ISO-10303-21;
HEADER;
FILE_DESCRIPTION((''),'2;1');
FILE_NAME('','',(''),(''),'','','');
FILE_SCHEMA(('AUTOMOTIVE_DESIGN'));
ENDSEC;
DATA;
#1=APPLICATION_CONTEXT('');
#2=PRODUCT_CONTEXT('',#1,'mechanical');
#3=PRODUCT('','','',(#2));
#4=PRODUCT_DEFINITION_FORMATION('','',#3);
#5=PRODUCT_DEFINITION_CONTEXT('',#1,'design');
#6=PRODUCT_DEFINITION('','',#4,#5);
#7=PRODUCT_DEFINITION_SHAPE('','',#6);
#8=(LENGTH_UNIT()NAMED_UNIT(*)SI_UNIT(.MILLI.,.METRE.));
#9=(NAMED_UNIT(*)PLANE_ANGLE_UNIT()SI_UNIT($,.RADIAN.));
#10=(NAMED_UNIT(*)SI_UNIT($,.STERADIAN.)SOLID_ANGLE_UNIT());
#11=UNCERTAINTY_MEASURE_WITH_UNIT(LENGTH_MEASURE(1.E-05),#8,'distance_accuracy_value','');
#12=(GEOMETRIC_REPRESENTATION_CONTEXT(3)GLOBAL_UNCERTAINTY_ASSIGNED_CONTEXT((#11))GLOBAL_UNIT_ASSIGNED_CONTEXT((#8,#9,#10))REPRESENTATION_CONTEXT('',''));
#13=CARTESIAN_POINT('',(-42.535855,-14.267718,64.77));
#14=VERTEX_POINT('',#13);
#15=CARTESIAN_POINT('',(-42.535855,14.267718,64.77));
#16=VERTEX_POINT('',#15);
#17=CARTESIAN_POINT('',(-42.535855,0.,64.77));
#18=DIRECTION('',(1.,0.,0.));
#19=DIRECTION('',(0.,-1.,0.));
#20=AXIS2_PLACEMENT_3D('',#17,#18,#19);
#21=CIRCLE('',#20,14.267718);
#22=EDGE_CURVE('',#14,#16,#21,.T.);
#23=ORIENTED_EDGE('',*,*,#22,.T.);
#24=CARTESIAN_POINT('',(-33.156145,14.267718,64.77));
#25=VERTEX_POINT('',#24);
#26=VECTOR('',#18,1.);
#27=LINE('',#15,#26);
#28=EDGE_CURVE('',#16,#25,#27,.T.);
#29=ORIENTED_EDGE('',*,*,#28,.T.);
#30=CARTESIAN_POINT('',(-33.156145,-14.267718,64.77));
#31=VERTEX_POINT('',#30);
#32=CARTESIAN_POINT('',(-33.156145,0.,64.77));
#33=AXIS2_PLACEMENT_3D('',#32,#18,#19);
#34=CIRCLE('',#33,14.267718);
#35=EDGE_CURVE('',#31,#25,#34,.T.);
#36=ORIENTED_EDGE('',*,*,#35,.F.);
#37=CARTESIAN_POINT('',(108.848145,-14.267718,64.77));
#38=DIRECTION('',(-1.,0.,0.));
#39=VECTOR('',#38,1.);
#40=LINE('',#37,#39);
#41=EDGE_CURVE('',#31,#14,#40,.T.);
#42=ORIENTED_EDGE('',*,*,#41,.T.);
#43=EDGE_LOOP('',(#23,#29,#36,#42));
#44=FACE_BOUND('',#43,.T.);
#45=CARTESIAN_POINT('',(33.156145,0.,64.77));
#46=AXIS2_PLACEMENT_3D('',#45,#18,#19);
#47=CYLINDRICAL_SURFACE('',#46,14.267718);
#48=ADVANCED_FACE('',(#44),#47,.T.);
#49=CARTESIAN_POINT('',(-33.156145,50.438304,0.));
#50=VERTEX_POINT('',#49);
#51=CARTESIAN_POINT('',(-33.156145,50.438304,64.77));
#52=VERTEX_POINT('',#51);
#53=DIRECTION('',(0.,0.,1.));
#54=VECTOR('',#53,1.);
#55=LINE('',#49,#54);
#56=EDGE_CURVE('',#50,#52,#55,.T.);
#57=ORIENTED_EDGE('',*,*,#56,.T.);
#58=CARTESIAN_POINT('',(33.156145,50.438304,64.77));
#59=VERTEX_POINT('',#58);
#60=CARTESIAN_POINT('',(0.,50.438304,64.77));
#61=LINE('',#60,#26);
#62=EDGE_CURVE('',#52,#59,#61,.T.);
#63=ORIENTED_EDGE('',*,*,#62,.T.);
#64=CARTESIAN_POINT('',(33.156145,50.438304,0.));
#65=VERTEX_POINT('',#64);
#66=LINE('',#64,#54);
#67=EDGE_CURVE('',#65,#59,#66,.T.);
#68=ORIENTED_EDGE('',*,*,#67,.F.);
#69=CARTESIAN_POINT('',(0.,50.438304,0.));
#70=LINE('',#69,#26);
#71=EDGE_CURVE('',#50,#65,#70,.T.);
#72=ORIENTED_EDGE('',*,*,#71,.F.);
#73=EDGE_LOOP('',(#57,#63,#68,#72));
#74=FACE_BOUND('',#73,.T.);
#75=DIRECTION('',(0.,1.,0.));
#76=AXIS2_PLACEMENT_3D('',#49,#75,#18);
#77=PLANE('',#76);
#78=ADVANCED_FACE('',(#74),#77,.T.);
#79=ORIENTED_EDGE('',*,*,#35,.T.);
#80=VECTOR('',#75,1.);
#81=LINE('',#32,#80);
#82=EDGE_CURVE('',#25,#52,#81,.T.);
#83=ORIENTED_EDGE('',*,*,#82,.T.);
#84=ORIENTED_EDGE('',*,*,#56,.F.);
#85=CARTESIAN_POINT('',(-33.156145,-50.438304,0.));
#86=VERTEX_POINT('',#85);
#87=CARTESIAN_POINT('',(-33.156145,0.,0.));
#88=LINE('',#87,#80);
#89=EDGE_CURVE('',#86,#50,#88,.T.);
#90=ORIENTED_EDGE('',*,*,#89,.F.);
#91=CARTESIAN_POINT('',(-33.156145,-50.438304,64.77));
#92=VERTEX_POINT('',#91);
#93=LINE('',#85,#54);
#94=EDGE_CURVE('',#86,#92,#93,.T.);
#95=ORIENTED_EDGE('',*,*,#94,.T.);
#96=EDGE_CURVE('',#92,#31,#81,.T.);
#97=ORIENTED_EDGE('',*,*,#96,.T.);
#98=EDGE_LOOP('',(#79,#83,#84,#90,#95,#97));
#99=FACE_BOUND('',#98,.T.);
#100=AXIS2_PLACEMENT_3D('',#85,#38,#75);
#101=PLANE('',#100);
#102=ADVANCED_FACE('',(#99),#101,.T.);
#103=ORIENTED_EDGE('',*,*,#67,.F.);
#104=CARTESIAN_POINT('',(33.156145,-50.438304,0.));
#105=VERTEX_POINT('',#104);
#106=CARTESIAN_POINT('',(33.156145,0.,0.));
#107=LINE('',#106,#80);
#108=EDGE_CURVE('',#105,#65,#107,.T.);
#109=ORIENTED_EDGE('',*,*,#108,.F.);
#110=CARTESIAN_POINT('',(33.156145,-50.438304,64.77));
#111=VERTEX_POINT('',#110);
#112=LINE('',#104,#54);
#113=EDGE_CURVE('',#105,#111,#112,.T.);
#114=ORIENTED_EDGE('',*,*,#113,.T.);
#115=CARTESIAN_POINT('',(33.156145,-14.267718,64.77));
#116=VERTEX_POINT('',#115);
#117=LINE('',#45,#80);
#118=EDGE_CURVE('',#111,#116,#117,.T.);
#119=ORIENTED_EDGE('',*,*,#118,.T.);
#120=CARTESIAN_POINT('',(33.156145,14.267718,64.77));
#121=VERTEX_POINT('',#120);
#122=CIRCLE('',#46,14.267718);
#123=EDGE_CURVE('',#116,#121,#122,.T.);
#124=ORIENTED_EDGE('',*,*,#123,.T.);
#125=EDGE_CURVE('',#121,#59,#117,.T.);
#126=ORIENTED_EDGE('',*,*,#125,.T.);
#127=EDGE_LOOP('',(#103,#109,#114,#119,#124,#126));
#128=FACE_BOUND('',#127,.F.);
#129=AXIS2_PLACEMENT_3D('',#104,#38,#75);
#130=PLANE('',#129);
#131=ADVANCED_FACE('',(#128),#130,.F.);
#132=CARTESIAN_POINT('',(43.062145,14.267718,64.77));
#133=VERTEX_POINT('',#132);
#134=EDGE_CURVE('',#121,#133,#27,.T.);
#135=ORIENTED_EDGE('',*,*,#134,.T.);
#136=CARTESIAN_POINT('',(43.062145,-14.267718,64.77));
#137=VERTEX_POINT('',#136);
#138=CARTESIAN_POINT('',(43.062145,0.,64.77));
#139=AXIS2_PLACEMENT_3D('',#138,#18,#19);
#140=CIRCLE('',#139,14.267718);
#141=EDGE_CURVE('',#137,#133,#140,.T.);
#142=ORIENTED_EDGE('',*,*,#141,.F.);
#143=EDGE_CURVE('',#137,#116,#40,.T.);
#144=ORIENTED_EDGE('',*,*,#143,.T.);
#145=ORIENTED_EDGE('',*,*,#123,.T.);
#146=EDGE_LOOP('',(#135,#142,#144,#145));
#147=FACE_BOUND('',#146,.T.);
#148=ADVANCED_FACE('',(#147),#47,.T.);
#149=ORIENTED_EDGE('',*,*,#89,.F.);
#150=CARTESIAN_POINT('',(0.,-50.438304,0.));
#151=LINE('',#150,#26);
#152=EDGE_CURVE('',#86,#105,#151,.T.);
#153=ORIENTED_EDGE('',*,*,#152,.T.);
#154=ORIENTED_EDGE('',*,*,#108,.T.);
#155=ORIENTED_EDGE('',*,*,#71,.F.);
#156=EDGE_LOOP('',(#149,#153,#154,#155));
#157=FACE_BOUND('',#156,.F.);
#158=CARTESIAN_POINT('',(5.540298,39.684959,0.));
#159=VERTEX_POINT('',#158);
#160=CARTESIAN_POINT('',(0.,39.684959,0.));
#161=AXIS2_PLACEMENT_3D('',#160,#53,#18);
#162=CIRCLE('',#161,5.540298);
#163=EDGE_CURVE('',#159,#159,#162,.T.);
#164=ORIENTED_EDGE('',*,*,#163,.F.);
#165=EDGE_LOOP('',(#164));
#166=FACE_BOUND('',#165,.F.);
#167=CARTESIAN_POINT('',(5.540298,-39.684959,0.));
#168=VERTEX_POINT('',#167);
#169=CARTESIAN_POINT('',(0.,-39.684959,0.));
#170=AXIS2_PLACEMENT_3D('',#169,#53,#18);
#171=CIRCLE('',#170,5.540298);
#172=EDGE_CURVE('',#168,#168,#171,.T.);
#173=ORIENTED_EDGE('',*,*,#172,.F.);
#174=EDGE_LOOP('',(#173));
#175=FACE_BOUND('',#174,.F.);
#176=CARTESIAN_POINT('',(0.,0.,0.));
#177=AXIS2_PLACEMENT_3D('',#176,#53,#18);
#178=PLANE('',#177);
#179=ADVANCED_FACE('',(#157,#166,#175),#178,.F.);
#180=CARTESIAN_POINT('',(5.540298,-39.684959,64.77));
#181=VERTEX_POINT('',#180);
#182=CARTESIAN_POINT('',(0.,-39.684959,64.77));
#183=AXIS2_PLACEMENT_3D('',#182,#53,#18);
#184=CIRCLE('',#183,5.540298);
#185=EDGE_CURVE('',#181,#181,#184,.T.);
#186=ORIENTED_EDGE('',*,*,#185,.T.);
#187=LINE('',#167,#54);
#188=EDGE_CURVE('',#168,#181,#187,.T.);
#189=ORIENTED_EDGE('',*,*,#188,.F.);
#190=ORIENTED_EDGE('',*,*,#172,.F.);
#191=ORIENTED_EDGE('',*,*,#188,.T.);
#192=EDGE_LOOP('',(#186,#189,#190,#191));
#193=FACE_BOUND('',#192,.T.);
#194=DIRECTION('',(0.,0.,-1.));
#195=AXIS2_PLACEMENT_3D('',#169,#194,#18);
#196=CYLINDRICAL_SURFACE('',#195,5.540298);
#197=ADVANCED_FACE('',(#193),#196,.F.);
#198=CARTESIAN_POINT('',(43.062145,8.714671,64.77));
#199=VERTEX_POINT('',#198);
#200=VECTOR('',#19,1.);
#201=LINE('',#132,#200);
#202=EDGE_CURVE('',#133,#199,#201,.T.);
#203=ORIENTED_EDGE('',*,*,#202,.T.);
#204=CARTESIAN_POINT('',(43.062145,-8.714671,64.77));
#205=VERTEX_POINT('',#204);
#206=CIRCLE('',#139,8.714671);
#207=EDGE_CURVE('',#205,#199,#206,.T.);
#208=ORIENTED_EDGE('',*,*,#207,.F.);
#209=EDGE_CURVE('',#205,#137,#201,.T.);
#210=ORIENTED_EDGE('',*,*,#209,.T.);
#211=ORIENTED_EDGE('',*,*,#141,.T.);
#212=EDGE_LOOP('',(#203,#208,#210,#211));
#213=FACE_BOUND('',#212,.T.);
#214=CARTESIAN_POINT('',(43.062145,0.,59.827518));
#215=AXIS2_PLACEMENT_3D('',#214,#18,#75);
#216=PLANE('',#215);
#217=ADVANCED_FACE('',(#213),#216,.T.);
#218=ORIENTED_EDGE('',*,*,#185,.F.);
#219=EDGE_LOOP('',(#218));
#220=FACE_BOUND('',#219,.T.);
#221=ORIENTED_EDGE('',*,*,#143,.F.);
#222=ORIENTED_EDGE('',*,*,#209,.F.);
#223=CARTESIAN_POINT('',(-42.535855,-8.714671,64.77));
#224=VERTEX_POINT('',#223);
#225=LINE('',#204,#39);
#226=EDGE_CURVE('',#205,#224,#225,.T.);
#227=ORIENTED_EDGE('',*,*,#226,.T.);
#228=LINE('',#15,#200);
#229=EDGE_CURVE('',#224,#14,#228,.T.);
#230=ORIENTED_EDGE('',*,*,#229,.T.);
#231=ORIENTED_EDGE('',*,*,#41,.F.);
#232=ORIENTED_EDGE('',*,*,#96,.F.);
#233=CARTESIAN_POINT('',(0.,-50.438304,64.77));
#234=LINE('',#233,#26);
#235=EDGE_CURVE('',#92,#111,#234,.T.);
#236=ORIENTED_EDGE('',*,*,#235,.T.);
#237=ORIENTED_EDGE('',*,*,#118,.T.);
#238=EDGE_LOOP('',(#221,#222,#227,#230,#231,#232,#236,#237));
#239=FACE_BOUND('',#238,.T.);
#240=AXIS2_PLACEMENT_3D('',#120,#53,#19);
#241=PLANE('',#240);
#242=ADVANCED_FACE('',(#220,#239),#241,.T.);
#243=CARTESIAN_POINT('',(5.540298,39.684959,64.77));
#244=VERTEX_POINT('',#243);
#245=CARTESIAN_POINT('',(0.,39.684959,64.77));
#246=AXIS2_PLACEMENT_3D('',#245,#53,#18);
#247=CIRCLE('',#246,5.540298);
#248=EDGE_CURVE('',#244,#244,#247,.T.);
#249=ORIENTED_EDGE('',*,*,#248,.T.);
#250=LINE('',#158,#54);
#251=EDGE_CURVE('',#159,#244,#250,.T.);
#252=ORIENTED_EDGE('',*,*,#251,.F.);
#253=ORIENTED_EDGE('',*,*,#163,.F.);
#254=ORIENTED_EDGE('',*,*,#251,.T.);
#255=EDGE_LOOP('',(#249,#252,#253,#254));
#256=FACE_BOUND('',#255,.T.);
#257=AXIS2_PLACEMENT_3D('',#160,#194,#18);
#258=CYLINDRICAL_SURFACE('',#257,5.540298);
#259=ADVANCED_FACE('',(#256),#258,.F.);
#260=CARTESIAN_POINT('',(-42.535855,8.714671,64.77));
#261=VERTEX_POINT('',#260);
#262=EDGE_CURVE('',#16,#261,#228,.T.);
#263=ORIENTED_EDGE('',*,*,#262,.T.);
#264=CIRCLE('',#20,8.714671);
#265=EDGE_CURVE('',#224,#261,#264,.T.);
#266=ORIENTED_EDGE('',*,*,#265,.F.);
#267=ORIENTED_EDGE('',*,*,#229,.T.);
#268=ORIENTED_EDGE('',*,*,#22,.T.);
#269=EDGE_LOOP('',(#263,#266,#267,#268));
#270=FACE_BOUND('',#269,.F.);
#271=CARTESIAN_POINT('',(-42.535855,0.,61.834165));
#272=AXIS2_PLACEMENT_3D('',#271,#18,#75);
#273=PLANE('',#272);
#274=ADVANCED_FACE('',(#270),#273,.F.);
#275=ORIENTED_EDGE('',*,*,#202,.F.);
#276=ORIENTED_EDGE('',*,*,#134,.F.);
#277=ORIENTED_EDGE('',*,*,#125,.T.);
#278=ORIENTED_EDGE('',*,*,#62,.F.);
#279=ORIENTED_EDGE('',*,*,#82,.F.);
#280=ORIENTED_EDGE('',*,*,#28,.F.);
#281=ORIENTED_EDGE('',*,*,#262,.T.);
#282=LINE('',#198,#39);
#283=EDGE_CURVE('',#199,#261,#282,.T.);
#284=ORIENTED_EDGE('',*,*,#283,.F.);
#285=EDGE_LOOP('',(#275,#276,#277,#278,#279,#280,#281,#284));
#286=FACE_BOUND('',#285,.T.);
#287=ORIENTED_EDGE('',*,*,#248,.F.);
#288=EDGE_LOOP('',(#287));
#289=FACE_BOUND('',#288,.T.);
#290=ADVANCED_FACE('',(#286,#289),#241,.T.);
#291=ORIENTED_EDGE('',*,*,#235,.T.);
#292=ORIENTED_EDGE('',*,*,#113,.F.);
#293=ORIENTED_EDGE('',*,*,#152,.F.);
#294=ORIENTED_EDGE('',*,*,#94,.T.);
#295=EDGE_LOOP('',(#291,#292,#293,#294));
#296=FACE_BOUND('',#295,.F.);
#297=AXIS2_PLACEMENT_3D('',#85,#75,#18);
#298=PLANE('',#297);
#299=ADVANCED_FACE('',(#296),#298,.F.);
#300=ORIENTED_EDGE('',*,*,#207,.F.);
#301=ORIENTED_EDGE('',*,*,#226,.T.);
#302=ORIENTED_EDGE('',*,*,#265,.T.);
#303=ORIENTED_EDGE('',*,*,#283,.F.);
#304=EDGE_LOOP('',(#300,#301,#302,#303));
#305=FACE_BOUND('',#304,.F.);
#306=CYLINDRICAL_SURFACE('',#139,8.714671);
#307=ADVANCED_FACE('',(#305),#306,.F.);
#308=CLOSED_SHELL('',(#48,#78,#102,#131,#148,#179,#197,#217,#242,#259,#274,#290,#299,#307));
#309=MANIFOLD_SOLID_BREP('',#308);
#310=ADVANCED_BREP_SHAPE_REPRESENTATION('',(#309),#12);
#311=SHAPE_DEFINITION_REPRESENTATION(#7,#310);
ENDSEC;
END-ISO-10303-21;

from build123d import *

# Parameters (mm, degrees)
F0_W     = 66.3122907281
F0_H     = 100.8766070008
F0_R     = 5.5402980892
F1_DEPTH = 64.77
F3_DEPTH = 75.692
F5_DEPTH = 65.786
F7_DEPTH = 101.6


with BuildPart() as f1:
    # F0 (on Top) → F1 (new body)
    with BuildSketch(Plane.XY):
        Rectangle(F0_W, F0_H)
        with Locations((0, -39.684958756)):
            Circle(F0_R, mode=Mode.SUBTRACT)
        with Locations((0, 39.684958756)):
            Circle(F0_R, mode=Mode.SUBTRACT)
    extrude(amount=F1_DEPTH)

    # F2 (on face) → F3 (join, symmetric)
    with BuildSketch(Plane.YZ.offset(33.156145364)):
        with BuildLine():
            Line((8.4750251617, 64.77), (-8.4750251617, 64.77))
            ThreePointArc((-8.4750251617, 64.77), (0, 56.2949748383), (8.4750251617, 64.77))
        make_face()
        with BuildLine():
            ThreePointArc((8.4750251617, 64.77), (0, 56.2949748383), (-8.4750251617, 64.77))
            Line((-8.4750251617, 64.77), (-14.2677179965, 64.77))
            ThreePointArc((-14.2677179965, 64.77), (0, 50.5022820035), (14.2677179965, 64.77))
            Line((14.2677179965, 64.77), (8.4750251617, 64.77))
        make_face()
    extrude(amount=F3_DEPTH, both=True)

    # F4 (on face) → F5 (cut)
    with BuildSketch(Plane.YZ.offset(108.848145364)):
        with BuildLine():
            Line((14.2677179965, 64.77), (-14.2677179965, 64.77))
            ThreePointArc((-14.2677179965, 64.77), (0, 50.5022820035), (14.2677179965, 64.77))
        make_face()
    extrude(amount=-F5_DEPTH, mode=Mode.SUBTRACT)

    # F6 (on face) → F7 (cut)
    with BuildSketch(Plane.YZ.offset(43.062145364)):
        with BuildLine():
            Line((8.7146712467, 64.77), (-8.7146712467, 64.77))
            ThreePointArc((-8.7146712467, 64.77), (0, 56.0553287533), (8.7146712467, 64.77))
        make_face()
    extrude(amount=-F7_DEPTH, mode=Mode.SUBTRACT)


solid = f1.part
